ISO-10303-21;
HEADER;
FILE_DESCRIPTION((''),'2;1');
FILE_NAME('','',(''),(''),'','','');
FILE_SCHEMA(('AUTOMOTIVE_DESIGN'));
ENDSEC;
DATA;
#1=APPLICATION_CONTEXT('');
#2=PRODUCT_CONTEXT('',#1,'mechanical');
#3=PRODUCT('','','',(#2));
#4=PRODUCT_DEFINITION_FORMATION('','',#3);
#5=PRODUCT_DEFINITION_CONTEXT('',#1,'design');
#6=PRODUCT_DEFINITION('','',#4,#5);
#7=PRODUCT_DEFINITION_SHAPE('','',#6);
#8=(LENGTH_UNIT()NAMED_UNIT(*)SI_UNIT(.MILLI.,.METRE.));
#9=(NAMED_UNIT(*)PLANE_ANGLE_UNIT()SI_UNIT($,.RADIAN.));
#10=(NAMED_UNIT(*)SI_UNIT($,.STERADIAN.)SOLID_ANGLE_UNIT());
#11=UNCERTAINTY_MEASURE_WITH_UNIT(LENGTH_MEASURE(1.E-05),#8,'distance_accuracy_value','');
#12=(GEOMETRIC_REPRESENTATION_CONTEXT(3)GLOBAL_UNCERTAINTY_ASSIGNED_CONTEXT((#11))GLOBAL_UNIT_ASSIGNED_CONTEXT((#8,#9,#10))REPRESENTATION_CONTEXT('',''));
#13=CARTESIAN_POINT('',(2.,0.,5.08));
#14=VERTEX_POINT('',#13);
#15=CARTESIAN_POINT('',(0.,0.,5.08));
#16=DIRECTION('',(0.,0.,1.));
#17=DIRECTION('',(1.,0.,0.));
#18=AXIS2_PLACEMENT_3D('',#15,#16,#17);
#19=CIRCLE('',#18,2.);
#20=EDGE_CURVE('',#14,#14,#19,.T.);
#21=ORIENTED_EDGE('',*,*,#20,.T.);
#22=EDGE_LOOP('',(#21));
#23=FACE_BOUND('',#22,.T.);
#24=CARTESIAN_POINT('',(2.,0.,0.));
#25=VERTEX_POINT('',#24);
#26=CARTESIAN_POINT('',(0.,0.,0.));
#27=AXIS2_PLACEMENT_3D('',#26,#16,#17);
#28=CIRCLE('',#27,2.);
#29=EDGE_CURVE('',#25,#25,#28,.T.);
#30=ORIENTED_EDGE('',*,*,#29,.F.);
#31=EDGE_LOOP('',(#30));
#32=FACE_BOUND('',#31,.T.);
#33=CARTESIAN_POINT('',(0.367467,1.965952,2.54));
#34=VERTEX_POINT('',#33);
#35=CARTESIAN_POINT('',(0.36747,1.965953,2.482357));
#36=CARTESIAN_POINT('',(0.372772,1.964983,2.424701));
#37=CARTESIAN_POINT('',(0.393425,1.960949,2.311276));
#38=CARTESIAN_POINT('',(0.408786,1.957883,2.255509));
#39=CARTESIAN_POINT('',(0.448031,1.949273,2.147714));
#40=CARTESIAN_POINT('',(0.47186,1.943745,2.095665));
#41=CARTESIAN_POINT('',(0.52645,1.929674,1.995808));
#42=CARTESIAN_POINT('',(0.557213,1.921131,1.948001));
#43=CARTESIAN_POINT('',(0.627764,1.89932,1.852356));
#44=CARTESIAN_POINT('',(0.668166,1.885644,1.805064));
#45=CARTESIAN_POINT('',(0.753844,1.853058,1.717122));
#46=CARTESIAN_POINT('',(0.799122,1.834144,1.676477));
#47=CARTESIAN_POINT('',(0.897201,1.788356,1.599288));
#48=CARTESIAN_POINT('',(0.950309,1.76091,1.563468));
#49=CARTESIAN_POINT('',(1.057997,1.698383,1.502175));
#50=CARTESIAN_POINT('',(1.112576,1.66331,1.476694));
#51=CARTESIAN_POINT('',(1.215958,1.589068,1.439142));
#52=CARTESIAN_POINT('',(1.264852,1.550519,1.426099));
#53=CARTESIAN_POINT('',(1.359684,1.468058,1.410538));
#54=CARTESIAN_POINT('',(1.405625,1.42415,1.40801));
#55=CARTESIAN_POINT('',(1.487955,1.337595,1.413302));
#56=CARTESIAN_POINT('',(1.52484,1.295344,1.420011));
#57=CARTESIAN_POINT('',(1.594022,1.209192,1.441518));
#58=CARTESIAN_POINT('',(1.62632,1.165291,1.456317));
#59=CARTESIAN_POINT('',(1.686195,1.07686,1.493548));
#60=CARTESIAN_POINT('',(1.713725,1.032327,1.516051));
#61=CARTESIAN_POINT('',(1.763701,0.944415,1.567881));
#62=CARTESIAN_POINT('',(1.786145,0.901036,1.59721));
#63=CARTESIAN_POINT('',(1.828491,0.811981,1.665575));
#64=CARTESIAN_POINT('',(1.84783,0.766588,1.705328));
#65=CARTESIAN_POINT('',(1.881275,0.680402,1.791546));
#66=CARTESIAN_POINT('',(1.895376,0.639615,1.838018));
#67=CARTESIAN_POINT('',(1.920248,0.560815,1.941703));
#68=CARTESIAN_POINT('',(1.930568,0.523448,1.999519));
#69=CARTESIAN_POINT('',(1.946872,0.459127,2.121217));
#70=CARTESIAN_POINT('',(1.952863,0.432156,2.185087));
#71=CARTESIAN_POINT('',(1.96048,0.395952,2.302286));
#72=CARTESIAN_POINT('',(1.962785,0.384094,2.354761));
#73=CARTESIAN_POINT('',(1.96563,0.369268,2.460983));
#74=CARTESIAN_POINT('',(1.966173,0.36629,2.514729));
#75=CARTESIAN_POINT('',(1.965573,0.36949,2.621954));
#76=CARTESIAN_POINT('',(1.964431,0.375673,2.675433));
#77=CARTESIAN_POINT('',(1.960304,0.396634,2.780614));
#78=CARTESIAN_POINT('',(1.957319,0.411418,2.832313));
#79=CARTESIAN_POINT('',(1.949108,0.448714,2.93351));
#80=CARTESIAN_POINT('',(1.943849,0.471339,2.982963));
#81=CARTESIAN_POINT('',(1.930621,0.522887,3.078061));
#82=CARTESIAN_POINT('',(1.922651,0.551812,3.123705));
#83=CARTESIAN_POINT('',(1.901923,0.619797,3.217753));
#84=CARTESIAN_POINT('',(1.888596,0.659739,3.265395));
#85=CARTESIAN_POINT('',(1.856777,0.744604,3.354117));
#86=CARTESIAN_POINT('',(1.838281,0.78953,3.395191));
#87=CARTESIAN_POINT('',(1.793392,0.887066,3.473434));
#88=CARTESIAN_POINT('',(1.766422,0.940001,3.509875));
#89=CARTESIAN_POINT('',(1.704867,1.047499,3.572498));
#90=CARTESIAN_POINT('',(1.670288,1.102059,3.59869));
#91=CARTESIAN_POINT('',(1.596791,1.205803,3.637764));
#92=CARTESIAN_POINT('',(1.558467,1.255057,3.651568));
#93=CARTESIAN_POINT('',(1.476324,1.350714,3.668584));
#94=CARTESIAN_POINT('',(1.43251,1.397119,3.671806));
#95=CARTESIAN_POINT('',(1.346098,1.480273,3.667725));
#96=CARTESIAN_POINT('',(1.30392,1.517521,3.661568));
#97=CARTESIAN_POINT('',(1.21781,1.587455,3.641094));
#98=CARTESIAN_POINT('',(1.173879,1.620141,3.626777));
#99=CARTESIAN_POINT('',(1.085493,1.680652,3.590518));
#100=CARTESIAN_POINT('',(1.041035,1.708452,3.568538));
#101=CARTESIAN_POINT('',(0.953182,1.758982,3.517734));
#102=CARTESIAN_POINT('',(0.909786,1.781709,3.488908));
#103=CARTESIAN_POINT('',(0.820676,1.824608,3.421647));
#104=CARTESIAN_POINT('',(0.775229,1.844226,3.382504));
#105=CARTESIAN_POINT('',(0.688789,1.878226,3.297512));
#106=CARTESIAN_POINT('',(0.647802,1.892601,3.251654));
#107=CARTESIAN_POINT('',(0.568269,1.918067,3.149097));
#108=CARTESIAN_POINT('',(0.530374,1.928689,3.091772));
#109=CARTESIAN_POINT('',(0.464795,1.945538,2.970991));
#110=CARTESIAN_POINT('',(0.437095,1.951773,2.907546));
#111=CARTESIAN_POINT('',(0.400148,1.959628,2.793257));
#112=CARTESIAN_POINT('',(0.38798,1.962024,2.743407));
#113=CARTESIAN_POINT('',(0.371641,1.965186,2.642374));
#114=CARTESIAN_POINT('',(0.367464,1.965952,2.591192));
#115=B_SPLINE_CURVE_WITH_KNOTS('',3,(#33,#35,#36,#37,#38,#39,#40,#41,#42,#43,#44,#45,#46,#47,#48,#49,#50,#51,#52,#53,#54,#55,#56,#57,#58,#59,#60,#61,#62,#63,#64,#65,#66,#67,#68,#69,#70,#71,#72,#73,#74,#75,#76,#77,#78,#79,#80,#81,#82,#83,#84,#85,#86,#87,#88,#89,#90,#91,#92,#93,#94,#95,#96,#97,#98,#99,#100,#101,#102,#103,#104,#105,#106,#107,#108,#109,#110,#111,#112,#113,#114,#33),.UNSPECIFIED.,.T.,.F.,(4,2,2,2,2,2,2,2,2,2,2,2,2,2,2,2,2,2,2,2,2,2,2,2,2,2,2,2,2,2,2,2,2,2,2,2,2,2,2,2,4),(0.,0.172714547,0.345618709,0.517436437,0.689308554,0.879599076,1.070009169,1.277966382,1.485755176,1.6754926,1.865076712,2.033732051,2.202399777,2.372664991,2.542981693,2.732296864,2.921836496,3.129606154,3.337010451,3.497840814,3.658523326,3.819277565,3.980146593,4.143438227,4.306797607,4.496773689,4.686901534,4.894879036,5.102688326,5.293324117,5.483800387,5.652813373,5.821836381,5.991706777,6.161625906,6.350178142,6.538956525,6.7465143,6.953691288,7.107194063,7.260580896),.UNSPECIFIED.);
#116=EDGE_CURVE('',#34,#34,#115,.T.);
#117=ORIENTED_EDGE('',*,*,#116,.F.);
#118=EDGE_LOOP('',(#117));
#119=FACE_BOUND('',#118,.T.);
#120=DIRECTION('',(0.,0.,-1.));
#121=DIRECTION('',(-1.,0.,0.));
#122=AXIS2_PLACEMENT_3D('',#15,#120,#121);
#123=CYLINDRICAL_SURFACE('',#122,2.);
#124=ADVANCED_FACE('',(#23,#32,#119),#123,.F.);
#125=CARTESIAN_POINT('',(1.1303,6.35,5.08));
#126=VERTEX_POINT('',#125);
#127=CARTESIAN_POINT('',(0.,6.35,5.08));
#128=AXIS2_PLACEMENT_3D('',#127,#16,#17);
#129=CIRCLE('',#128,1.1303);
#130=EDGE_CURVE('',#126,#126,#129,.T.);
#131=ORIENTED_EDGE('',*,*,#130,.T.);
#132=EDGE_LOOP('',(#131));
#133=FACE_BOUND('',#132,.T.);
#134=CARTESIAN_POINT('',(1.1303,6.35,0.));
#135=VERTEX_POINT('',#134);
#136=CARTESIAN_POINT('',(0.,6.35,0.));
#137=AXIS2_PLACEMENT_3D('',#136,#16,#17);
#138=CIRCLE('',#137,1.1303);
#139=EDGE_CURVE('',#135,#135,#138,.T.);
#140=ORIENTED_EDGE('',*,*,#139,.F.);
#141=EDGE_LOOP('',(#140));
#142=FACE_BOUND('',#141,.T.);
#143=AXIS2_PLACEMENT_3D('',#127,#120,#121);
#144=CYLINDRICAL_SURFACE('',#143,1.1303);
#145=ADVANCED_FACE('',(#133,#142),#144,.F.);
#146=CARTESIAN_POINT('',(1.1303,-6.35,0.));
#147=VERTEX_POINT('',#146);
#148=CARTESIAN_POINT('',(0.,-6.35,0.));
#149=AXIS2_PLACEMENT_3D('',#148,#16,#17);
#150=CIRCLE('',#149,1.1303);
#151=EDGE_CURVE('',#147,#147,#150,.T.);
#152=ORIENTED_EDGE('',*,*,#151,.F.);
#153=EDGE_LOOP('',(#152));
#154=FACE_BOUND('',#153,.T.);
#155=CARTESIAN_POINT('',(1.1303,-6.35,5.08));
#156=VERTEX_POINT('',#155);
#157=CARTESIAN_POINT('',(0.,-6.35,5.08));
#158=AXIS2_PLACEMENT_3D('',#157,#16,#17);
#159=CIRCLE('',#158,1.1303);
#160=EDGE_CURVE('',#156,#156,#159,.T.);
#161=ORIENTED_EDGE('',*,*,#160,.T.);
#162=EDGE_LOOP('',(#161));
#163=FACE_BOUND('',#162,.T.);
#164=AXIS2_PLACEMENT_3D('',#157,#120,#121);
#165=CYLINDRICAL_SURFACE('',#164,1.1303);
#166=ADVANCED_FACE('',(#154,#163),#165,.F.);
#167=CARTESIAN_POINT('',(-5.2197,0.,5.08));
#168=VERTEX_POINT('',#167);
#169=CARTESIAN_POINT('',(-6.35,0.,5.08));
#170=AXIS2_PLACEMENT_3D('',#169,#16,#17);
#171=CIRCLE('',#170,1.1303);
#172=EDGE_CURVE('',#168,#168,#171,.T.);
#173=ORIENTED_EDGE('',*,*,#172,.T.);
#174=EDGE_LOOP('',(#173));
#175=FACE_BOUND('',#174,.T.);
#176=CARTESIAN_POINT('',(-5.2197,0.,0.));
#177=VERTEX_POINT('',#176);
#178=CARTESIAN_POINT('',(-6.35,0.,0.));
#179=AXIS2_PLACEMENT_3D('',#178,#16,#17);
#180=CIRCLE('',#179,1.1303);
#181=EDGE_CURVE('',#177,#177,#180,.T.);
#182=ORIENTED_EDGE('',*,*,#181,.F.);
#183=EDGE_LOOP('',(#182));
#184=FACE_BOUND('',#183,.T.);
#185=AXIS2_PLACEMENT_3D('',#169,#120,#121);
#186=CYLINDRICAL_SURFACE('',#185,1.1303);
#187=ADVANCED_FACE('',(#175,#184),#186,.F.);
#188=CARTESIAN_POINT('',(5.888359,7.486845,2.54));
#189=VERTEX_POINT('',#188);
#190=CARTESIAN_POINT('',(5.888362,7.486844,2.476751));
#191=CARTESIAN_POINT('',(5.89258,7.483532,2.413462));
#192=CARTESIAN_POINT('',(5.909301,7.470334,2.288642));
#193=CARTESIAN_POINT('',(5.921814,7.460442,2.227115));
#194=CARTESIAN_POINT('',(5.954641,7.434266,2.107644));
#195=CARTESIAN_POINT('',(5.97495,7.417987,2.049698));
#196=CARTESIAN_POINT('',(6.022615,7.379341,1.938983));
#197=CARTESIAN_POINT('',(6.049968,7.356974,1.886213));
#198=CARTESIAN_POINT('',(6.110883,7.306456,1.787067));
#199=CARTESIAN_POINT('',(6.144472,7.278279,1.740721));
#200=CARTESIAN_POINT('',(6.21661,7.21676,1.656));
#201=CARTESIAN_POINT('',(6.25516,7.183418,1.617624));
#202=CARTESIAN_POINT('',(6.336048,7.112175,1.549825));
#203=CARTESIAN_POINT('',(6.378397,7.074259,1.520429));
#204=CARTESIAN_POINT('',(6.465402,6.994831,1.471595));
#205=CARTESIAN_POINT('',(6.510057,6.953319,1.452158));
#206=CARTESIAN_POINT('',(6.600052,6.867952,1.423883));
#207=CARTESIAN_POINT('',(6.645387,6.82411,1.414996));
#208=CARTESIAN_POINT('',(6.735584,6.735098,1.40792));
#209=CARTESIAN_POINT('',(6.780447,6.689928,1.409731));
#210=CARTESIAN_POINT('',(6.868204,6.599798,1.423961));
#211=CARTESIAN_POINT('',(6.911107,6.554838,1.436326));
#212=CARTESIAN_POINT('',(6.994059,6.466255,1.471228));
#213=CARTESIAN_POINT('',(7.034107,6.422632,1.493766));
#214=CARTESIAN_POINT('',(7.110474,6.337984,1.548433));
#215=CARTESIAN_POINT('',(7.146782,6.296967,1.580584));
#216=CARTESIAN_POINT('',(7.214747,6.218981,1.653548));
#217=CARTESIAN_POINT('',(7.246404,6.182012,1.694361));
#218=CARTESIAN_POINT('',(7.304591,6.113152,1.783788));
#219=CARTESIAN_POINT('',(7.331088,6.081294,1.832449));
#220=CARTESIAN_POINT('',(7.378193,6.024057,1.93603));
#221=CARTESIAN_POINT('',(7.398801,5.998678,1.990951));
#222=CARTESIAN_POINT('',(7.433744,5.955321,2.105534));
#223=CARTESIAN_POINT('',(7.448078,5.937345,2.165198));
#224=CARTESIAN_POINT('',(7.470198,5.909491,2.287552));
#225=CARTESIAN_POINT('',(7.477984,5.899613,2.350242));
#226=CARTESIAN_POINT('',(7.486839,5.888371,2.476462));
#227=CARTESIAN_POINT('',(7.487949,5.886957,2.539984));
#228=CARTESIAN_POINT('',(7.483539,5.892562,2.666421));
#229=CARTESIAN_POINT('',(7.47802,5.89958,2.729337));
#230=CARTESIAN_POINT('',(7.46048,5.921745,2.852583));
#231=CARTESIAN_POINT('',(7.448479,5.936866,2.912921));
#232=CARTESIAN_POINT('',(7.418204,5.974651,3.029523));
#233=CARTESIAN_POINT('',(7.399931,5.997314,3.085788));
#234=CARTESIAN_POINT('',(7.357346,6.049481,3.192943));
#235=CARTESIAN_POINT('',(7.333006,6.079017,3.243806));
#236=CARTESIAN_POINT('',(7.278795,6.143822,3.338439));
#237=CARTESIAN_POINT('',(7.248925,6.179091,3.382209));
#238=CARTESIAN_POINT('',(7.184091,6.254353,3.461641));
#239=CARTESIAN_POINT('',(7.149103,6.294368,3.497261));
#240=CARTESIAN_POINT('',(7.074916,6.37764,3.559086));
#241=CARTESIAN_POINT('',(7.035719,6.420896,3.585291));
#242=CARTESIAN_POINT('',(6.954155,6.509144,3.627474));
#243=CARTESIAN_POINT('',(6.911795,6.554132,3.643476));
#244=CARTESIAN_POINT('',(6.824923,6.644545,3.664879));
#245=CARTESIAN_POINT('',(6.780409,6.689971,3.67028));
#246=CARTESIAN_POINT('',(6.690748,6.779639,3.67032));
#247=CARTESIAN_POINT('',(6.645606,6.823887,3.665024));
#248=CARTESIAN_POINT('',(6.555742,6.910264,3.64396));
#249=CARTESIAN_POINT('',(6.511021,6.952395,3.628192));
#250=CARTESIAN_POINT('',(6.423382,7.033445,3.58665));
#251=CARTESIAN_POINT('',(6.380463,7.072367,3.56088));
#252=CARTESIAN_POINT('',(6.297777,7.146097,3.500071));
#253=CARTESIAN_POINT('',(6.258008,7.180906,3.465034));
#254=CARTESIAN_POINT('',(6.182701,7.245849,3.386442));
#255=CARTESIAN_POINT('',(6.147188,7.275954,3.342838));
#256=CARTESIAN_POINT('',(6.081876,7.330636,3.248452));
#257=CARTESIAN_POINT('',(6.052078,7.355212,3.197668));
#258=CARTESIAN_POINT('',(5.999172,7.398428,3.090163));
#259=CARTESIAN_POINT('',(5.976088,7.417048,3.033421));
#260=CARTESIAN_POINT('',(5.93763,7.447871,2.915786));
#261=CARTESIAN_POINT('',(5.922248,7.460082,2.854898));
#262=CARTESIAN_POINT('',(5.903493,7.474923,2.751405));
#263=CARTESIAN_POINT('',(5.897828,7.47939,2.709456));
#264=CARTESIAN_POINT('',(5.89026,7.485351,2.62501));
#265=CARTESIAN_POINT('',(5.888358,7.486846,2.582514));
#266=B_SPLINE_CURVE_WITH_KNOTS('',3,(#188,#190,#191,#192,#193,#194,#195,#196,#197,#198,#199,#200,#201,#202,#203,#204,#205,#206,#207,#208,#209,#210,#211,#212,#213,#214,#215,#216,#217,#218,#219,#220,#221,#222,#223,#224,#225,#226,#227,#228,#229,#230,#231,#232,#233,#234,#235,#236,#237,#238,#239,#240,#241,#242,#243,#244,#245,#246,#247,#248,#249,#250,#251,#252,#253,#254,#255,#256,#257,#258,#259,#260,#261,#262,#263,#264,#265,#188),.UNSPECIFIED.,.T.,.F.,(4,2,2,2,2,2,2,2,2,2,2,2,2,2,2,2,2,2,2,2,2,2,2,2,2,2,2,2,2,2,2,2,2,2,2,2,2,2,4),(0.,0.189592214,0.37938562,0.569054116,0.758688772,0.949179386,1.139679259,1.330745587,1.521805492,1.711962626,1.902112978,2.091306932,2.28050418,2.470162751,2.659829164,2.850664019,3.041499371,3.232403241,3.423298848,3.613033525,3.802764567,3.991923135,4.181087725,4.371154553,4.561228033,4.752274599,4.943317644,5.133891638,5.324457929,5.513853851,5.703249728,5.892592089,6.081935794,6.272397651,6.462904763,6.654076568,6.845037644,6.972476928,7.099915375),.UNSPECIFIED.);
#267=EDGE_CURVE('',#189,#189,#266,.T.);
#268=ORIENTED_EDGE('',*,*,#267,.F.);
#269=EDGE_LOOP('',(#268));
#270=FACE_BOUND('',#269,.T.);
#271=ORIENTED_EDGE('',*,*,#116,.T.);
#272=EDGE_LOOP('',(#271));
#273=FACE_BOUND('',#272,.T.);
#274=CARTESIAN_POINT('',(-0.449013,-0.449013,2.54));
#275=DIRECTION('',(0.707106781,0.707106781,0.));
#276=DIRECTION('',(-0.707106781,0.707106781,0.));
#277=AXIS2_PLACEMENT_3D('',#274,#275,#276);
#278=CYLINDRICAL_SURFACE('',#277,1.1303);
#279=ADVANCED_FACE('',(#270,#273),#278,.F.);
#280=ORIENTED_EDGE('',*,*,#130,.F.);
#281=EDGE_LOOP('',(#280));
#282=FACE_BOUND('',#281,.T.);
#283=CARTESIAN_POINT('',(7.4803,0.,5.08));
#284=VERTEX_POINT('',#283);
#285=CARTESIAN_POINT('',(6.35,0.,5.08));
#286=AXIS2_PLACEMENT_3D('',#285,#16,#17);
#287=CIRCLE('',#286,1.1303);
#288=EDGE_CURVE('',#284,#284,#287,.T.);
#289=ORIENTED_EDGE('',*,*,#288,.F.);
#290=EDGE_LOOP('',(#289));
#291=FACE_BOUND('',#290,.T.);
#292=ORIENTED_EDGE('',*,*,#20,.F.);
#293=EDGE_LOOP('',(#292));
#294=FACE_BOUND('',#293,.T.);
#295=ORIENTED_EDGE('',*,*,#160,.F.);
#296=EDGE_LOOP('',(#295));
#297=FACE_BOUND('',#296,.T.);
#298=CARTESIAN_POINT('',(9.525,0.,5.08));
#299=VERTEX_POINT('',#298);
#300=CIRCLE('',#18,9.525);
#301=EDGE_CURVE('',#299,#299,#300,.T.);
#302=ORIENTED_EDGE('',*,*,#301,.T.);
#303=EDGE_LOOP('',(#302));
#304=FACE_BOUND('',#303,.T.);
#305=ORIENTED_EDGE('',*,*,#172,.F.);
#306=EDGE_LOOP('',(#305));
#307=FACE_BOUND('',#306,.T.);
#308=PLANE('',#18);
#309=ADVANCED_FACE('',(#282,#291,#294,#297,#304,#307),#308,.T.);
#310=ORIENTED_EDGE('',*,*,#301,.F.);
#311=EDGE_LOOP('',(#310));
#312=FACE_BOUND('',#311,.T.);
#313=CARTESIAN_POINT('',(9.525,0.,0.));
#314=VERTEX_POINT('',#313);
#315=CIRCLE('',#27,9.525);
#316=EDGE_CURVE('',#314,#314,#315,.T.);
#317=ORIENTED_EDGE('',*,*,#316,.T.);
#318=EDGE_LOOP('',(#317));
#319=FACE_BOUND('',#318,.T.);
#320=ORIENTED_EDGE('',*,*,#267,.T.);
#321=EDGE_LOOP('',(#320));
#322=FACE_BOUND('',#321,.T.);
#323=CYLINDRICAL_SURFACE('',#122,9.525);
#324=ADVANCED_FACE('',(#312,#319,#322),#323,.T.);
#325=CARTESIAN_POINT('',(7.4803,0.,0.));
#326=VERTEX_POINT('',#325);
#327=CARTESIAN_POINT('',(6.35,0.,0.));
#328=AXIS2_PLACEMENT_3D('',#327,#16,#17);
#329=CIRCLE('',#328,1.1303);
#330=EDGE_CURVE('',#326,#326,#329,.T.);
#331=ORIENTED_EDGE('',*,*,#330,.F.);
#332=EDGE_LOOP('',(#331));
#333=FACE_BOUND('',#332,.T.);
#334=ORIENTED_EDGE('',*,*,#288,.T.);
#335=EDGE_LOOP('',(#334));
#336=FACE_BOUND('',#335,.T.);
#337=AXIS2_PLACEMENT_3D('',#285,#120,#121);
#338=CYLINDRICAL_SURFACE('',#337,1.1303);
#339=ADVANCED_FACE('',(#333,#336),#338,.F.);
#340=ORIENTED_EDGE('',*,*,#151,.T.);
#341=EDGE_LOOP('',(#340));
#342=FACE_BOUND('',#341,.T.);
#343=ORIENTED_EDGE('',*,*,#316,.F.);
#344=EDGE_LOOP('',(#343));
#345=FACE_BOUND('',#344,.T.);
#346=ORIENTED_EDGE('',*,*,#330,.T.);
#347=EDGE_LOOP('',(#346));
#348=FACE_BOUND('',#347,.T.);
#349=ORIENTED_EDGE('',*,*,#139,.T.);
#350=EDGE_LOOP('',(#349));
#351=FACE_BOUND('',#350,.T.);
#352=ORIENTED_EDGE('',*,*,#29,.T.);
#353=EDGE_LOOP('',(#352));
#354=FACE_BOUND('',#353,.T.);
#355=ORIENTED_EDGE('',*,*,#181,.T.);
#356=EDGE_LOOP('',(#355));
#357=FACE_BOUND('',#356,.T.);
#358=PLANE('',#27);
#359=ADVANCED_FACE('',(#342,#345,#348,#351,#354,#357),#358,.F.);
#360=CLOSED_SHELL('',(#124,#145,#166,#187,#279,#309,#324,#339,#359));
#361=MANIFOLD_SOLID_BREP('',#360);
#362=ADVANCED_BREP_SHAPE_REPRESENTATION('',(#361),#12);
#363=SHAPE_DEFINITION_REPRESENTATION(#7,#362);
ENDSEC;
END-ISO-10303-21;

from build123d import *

# Parameters (mm, degrees)
SKETCH1_R           = 9.525
SKETCH1_R_2         = 2
SKETCH1_R_3         = 1.1303
BOSS_EXTRUDE1_DEPTH = 5.08
SKETCH2_R           = 1.1303
CUT_EXTRUDE1_DEPTH  = 10.16


with BuildPart() as part:
    # Sketch1 → Boss-Extrude1 (new body)
    with BuildSketch(Plane.XY):
        Circle(SKETCH1_R)
        Circle(SKETCH1_R_2, mode=Mode.SUBTRACT)
        with Locations((-6.35, 0)):
            Circle(SKETCH1_R_3, mode=Mode.SUBTRACT)
        with Locations((0, 6.35)):
            Circle(SKETCH1_R_3, mode=Mode.SUBTRACT)
        with Locations((6.35, 0)):
            Circle(SKETCH1_R_3, mode=Mode.SUBTRACT)
        with Locations((0, -6.35)):
            Circle(SKETCH1_R_3, mode=Mode.SUBTRACT)
    extrude(amount=BOSS_EXTRUDE1_DEPTH)

    # Sketch2 → Cut-Extrude1 (cut)
    with BuildSketch(Plane(origin=(6.735192091, 6.735192091, 0), x_dir=(-0.707106781, 0.707106781, 0), z_dir=(0.707106781, 0.707106781, 0))):
        with Locations((0, 2.54)):
            Circle(SKETCH2_R)
    extrude(amount=-CUT_EXTRUDE1_DEPTH, mode=Mode.SUBTRACT)


solid = part.part
